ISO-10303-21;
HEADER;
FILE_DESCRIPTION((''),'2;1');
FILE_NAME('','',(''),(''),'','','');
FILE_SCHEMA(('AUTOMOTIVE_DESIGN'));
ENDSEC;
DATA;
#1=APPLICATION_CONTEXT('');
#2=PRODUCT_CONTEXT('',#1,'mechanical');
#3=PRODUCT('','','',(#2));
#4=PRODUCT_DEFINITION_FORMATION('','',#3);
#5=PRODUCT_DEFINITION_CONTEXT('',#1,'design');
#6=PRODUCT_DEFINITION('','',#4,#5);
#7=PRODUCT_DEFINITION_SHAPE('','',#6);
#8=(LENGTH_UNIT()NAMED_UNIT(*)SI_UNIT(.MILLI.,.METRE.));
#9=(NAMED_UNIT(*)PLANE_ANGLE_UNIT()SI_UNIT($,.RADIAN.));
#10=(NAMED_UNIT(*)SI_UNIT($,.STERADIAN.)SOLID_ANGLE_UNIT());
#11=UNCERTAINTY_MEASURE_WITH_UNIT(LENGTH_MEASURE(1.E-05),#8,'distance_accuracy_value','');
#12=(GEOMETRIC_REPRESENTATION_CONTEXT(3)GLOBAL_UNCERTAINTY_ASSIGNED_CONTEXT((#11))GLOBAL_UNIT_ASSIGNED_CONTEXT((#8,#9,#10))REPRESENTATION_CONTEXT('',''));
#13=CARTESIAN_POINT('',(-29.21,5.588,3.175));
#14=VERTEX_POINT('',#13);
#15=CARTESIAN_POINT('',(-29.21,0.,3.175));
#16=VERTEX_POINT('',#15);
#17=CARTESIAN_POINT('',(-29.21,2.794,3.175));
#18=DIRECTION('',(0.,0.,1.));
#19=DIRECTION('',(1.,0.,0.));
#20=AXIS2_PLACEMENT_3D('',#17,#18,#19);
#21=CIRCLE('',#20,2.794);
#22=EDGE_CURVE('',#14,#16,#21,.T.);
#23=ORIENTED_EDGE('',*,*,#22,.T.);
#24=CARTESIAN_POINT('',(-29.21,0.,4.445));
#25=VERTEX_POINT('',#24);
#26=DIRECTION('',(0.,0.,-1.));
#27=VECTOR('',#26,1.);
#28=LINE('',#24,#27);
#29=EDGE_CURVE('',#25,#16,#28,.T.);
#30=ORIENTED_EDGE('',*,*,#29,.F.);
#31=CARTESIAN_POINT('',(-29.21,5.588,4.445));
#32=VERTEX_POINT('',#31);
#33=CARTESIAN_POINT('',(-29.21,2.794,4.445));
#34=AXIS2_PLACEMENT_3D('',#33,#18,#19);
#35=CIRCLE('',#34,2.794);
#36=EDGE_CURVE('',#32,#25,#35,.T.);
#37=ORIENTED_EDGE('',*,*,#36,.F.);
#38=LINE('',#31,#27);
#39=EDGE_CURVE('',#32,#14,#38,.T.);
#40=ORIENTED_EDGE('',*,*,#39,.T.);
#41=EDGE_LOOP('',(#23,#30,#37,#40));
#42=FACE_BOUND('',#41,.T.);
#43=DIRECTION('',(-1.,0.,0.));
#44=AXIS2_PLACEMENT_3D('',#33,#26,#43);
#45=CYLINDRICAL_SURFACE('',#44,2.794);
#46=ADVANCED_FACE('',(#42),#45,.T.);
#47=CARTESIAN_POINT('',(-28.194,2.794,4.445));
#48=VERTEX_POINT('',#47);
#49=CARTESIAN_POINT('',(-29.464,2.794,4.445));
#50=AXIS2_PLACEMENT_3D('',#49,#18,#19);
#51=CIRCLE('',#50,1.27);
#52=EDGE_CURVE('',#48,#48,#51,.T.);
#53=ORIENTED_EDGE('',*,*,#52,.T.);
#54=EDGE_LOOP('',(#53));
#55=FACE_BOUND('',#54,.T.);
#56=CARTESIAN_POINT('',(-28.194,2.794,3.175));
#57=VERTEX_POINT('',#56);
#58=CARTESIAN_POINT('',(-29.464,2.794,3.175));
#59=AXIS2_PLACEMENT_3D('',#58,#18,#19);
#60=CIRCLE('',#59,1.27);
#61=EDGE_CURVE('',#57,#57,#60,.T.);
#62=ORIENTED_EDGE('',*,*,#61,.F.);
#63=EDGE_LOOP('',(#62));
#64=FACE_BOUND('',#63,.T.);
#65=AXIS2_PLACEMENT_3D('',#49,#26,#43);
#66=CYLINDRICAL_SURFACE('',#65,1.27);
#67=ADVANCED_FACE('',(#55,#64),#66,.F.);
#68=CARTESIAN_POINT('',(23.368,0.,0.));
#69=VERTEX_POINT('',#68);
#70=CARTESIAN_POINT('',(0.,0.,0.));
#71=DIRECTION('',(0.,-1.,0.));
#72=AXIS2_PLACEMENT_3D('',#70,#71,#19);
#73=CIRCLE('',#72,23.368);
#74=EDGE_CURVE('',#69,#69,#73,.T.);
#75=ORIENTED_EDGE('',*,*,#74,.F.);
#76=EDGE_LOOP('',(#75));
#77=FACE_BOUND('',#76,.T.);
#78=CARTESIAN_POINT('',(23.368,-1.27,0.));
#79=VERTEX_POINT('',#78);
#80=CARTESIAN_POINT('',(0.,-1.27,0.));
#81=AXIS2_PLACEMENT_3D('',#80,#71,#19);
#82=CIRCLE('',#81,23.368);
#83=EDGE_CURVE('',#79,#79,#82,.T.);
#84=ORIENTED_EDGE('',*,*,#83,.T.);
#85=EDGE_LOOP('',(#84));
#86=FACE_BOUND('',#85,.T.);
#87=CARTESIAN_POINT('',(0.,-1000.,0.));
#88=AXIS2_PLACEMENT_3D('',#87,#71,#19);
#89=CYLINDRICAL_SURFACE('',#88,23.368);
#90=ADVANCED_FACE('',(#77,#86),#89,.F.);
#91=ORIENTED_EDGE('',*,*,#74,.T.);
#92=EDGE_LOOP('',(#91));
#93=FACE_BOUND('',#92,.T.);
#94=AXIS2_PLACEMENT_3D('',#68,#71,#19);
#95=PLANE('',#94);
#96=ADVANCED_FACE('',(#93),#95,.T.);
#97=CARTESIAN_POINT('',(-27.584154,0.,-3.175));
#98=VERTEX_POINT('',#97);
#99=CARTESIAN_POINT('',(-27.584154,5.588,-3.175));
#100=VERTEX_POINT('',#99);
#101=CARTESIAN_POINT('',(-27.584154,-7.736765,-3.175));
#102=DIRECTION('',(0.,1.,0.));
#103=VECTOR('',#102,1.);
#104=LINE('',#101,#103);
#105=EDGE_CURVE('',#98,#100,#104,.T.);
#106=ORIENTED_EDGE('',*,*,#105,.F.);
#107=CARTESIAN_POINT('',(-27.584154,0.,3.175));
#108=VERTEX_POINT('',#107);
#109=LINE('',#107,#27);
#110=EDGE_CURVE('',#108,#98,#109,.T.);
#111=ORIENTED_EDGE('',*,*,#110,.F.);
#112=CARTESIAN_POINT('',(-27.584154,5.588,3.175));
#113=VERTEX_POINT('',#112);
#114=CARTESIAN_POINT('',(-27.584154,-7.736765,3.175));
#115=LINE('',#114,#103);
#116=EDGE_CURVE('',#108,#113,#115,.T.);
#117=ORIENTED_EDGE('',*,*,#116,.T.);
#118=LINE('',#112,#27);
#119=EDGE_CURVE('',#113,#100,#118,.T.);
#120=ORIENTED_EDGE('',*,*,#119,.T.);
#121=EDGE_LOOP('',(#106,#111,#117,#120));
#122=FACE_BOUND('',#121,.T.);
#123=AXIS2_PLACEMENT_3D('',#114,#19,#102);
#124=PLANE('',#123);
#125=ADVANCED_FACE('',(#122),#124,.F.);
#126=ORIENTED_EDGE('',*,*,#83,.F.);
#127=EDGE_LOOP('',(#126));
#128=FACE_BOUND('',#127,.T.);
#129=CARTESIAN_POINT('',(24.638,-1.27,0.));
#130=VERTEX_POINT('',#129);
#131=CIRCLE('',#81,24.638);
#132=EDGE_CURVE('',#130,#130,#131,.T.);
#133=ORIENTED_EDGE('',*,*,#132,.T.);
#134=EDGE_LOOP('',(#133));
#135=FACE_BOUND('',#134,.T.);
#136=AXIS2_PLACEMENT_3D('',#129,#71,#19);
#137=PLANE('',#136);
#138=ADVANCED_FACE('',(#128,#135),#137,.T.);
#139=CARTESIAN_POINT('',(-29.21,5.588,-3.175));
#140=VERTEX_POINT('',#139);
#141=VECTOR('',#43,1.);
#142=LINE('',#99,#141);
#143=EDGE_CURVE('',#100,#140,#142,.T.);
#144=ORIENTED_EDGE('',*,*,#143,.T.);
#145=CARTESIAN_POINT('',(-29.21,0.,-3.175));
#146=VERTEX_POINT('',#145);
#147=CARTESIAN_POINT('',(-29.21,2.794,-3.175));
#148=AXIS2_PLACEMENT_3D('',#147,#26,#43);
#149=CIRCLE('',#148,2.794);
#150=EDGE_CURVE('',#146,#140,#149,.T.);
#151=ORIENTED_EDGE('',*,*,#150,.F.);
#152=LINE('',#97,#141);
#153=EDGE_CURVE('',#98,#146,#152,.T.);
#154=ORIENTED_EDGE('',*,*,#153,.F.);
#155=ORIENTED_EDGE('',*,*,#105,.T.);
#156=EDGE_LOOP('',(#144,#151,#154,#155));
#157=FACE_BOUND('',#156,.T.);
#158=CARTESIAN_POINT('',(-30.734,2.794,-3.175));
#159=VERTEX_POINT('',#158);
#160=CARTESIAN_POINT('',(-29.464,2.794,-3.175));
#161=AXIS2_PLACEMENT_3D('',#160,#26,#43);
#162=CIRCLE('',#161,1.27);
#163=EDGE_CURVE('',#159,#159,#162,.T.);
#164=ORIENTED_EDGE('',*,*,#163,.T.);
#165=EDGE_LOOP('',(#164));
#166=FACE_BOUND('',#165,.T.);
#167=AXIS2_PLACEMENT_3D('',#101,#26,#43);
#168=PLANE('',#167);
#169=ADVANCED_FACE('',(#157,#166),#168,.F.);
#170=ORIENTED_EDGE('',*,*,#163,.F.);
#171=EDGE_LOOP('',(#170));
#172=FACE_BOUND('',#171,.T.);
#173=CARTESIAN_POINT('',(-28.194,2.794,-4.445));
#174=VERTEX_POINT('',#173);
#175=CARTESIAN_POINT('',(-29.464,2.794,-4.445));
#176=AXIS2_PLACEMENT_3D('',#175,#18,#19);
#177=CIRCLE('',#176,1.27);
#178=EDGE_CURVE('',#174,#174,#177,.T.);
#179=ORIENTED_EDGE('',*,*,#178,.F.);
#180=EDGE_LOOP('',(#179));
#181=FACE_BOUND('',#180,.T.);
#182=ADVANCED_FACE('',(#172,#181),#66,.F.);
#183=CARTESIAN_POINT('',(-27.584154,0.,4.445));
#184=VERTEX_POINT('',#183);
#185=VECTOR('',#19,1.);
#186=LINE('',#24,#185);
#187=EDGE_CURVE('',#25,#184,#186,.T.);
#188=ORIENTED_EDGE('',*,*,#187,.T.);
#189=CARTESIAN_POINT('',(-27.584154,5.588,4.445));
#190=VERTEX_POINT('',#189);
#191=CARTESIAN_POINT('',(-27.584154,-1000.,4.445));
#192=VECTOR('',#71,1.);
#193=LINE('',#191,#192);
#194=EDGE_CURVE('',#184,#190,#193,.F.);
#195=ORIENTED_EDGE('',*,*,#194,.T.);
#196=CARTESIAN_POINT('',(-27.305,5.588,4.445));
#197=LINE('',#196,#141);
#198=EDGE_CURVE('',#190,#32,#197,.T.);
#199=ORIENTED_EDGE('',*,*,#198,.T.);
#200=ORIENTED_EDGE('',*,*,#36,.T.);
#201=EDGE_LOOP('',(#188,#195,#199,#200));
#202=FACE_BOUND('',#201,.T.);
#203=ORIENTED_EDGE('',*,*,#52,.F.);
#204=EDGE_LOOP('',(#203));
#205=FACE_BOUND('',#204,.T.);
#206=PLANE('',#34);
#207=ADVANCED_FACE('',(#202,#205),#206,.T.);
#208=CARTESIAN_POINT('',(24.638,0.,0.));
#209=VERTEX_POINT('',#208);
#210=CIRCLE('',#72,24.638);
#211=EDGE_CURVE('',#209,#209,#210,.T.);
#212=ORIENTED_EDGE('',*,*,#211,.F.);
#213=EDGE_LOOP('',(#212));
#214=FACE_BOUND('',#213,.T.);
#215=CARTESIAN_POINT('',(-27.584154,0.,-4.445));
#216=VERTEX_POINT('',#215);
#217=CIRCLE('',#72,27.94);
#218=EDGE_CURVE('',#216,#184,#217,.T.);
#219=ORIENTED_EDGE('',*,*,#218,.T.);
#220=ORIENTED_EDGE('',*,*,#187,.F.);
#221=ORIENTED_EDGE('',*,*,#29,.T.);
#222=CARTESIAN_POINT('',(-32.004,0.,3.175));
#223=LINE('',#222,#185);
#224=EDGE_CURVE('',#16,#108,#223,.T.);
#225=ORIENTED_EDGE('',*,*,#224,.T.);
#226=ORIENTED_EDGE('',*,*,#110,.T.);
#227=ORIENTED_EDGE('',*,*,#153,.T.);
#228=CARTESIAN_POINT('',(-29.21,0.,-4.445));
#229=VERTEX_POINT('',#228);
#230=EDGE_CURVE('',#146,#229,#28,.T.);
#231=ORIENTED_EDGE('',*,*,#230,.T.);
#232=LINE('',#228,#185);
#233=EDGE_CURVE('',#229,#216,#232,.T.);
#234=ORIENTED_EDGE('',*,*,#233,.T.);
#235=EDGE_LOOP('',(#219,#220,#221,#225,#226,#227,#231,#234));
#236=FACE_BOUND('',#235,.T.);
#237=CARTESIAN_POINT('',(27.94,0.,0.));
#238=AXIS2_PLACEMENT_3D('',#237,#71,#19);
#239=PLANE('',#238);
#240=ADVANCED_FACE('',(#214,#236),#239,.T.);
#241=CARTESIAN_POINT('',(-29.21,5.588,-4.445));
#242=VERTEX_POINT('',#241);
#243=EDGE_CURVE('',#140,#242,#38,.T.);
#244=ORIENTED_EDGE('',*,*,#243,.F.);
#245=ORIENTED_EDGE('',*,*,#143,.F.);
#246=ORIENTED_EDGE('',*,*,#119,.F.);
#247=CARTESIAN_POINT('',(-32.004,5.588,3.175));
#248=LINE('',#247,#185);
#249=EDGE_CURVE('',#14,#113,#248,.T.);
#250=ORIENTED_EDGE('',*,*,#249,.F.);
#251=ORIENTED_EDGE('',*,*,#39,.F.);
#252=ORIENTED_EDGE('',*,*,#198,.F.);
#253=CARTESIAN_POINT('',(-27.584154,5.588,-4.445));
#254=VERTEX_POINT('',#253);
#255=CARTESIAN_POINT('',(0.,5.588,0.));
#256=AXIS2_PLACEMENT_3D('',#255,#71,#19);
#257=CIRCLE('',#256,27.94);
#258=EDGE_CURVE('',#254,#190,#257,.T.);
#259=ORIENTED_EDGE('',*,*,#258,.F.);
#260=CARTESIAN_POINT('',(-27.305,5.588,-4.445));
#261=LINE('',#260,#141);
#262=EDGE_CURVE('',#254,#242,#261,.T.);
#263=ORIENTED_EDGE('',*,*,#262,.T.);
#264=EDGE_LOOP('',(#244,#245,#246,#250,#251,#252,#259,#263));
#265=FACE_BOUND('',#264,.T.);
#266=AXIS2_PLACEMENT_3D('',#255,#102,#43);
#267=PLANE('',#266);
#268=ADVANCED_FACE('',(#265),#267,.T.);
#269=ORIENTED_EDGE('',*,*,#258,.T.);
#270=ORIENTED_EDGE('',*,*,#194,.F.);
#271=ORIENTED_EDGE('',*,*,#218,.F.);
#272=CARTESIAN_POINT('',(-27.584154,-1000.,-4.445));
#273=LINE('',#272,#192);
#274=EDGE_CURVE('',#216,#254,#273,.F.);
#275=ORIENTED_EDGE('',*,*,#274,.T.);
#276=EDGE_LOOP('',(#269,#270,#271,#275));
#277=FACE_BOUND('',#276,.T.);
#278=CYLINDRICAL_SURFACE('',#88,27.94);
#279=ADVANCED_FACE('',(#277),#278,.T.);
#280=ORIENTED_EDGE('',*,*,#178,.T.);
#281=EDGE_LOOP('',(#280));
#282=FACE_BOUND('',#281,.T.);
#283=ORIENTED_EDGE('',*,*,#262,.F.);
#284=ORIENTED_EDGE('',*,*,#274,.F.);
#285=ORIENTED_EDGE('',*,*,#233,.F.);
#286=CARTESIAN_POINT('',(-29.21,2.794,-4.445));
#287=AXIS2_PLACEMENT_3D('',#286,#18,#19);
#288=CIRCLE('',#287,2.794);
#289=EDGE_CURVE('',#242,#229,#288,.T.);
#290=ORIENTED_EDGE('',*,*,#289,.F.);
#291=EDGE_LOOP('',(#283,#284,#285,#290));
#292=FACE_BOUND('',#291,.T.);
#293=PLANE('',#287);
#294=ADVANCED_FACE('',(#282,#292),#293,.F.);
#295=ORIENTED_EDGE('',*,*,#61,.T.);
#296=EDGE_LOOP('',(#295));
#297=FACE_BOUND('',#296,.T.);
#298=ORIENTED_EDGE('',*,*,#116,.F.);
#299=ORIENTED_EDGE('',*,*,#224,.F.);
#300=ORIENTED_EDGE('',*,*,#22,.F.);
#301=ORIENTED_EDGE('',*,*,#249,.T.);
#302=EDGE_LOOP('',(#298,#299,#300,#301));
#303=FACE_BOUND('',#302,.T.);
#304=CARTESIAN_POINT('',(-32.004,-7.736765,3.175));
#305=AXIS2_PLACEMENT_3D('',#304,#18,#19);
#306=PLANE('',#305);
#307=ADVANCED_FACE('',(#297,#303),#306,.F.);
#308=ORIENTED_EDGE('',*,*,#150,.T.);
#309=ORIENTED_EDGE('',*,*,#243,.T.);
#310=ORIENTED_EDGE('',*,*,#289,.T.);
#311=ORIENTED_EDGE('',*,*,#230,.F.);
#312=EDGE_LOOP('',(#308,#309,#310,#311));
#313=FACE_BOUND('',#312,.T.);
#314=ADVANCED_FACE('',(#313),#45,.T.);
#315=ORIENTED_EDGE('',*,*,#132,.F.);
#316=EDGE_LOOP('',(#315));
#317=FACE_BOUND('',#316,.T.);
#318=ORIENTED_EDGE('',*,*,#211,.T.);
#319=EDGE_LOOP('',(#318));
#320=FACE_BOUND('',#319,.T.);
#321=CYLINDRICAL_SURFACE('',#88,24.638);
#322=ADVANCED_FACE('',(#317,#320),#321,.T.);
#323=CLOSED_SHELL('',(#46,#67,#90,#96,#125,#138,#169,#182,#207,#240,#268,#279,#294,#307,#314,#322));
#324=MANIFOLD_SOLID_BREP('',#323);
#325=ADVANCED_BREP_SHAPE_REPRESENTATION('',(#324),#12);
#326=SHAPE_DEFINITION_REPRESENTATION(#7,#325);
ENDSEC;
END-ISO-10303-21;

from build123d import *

# Parameters (mm, degrees)
SKETCH3_R           = 1.27
BOSS_EXTRUDE1_DEPTH = 4.445
SKETCH4_W           = 4.419845581
SKETCH4_H           = 6.35
CUT_EXTRUDE1_DEPTH  = 5.588


with BuildPart() as part:
    # Sketch2 → Revolve1 (revolve)
    with BuildSketch(Plane.XY):
        Polygon((0, 0), (0, 5.588), (27.94, 5.588), (27.94, 0), (24.638, 0), (24.638, -1.27), (23.368, -1.27), (23.368, 0), align=None)
    revolve(axis=Axis((0, -1000, 0), (0, 1, 0)))

    # Sketch3 → Boss-Extrude1 (add, symmetric)
    with BuildSketch(Plane.XY):
        with BuildLine():
            Line((-29.21, 0), (-27.305, 0))
            Line((-27.305, 0), (-27.305, 5.588))
            Line((-27.305, 5.588), (-29.21, 5.588))
            ThreePointArc((-29.21, 5.588), (-32.004, 2.794), (-29.21, 0))
        make_face()
        with Locations((-29.464, 2.794)):
            Circle(SKETCH3_R, mode=Mode.SUBTRACT)
    extrude(amount=BOSS_EXTRUDE1_DEPTH, both=True)

    # Sketch4 → Cut-Extrude1 (cut)
    with BuildSketch(Plane(origin=(0, 5.588, 0), x_dir=(1, 0, 0), z_dir=(0, 1, 0))):
        with Locations((-29.79407721, 0)):
            Rectangle(SKETCH4_W, SKETCH4_H)
    extrude(amount=-CUT_EXTRUDE1_DEPTH, mode=Mode.SUBTRACT)


solid = part.part
